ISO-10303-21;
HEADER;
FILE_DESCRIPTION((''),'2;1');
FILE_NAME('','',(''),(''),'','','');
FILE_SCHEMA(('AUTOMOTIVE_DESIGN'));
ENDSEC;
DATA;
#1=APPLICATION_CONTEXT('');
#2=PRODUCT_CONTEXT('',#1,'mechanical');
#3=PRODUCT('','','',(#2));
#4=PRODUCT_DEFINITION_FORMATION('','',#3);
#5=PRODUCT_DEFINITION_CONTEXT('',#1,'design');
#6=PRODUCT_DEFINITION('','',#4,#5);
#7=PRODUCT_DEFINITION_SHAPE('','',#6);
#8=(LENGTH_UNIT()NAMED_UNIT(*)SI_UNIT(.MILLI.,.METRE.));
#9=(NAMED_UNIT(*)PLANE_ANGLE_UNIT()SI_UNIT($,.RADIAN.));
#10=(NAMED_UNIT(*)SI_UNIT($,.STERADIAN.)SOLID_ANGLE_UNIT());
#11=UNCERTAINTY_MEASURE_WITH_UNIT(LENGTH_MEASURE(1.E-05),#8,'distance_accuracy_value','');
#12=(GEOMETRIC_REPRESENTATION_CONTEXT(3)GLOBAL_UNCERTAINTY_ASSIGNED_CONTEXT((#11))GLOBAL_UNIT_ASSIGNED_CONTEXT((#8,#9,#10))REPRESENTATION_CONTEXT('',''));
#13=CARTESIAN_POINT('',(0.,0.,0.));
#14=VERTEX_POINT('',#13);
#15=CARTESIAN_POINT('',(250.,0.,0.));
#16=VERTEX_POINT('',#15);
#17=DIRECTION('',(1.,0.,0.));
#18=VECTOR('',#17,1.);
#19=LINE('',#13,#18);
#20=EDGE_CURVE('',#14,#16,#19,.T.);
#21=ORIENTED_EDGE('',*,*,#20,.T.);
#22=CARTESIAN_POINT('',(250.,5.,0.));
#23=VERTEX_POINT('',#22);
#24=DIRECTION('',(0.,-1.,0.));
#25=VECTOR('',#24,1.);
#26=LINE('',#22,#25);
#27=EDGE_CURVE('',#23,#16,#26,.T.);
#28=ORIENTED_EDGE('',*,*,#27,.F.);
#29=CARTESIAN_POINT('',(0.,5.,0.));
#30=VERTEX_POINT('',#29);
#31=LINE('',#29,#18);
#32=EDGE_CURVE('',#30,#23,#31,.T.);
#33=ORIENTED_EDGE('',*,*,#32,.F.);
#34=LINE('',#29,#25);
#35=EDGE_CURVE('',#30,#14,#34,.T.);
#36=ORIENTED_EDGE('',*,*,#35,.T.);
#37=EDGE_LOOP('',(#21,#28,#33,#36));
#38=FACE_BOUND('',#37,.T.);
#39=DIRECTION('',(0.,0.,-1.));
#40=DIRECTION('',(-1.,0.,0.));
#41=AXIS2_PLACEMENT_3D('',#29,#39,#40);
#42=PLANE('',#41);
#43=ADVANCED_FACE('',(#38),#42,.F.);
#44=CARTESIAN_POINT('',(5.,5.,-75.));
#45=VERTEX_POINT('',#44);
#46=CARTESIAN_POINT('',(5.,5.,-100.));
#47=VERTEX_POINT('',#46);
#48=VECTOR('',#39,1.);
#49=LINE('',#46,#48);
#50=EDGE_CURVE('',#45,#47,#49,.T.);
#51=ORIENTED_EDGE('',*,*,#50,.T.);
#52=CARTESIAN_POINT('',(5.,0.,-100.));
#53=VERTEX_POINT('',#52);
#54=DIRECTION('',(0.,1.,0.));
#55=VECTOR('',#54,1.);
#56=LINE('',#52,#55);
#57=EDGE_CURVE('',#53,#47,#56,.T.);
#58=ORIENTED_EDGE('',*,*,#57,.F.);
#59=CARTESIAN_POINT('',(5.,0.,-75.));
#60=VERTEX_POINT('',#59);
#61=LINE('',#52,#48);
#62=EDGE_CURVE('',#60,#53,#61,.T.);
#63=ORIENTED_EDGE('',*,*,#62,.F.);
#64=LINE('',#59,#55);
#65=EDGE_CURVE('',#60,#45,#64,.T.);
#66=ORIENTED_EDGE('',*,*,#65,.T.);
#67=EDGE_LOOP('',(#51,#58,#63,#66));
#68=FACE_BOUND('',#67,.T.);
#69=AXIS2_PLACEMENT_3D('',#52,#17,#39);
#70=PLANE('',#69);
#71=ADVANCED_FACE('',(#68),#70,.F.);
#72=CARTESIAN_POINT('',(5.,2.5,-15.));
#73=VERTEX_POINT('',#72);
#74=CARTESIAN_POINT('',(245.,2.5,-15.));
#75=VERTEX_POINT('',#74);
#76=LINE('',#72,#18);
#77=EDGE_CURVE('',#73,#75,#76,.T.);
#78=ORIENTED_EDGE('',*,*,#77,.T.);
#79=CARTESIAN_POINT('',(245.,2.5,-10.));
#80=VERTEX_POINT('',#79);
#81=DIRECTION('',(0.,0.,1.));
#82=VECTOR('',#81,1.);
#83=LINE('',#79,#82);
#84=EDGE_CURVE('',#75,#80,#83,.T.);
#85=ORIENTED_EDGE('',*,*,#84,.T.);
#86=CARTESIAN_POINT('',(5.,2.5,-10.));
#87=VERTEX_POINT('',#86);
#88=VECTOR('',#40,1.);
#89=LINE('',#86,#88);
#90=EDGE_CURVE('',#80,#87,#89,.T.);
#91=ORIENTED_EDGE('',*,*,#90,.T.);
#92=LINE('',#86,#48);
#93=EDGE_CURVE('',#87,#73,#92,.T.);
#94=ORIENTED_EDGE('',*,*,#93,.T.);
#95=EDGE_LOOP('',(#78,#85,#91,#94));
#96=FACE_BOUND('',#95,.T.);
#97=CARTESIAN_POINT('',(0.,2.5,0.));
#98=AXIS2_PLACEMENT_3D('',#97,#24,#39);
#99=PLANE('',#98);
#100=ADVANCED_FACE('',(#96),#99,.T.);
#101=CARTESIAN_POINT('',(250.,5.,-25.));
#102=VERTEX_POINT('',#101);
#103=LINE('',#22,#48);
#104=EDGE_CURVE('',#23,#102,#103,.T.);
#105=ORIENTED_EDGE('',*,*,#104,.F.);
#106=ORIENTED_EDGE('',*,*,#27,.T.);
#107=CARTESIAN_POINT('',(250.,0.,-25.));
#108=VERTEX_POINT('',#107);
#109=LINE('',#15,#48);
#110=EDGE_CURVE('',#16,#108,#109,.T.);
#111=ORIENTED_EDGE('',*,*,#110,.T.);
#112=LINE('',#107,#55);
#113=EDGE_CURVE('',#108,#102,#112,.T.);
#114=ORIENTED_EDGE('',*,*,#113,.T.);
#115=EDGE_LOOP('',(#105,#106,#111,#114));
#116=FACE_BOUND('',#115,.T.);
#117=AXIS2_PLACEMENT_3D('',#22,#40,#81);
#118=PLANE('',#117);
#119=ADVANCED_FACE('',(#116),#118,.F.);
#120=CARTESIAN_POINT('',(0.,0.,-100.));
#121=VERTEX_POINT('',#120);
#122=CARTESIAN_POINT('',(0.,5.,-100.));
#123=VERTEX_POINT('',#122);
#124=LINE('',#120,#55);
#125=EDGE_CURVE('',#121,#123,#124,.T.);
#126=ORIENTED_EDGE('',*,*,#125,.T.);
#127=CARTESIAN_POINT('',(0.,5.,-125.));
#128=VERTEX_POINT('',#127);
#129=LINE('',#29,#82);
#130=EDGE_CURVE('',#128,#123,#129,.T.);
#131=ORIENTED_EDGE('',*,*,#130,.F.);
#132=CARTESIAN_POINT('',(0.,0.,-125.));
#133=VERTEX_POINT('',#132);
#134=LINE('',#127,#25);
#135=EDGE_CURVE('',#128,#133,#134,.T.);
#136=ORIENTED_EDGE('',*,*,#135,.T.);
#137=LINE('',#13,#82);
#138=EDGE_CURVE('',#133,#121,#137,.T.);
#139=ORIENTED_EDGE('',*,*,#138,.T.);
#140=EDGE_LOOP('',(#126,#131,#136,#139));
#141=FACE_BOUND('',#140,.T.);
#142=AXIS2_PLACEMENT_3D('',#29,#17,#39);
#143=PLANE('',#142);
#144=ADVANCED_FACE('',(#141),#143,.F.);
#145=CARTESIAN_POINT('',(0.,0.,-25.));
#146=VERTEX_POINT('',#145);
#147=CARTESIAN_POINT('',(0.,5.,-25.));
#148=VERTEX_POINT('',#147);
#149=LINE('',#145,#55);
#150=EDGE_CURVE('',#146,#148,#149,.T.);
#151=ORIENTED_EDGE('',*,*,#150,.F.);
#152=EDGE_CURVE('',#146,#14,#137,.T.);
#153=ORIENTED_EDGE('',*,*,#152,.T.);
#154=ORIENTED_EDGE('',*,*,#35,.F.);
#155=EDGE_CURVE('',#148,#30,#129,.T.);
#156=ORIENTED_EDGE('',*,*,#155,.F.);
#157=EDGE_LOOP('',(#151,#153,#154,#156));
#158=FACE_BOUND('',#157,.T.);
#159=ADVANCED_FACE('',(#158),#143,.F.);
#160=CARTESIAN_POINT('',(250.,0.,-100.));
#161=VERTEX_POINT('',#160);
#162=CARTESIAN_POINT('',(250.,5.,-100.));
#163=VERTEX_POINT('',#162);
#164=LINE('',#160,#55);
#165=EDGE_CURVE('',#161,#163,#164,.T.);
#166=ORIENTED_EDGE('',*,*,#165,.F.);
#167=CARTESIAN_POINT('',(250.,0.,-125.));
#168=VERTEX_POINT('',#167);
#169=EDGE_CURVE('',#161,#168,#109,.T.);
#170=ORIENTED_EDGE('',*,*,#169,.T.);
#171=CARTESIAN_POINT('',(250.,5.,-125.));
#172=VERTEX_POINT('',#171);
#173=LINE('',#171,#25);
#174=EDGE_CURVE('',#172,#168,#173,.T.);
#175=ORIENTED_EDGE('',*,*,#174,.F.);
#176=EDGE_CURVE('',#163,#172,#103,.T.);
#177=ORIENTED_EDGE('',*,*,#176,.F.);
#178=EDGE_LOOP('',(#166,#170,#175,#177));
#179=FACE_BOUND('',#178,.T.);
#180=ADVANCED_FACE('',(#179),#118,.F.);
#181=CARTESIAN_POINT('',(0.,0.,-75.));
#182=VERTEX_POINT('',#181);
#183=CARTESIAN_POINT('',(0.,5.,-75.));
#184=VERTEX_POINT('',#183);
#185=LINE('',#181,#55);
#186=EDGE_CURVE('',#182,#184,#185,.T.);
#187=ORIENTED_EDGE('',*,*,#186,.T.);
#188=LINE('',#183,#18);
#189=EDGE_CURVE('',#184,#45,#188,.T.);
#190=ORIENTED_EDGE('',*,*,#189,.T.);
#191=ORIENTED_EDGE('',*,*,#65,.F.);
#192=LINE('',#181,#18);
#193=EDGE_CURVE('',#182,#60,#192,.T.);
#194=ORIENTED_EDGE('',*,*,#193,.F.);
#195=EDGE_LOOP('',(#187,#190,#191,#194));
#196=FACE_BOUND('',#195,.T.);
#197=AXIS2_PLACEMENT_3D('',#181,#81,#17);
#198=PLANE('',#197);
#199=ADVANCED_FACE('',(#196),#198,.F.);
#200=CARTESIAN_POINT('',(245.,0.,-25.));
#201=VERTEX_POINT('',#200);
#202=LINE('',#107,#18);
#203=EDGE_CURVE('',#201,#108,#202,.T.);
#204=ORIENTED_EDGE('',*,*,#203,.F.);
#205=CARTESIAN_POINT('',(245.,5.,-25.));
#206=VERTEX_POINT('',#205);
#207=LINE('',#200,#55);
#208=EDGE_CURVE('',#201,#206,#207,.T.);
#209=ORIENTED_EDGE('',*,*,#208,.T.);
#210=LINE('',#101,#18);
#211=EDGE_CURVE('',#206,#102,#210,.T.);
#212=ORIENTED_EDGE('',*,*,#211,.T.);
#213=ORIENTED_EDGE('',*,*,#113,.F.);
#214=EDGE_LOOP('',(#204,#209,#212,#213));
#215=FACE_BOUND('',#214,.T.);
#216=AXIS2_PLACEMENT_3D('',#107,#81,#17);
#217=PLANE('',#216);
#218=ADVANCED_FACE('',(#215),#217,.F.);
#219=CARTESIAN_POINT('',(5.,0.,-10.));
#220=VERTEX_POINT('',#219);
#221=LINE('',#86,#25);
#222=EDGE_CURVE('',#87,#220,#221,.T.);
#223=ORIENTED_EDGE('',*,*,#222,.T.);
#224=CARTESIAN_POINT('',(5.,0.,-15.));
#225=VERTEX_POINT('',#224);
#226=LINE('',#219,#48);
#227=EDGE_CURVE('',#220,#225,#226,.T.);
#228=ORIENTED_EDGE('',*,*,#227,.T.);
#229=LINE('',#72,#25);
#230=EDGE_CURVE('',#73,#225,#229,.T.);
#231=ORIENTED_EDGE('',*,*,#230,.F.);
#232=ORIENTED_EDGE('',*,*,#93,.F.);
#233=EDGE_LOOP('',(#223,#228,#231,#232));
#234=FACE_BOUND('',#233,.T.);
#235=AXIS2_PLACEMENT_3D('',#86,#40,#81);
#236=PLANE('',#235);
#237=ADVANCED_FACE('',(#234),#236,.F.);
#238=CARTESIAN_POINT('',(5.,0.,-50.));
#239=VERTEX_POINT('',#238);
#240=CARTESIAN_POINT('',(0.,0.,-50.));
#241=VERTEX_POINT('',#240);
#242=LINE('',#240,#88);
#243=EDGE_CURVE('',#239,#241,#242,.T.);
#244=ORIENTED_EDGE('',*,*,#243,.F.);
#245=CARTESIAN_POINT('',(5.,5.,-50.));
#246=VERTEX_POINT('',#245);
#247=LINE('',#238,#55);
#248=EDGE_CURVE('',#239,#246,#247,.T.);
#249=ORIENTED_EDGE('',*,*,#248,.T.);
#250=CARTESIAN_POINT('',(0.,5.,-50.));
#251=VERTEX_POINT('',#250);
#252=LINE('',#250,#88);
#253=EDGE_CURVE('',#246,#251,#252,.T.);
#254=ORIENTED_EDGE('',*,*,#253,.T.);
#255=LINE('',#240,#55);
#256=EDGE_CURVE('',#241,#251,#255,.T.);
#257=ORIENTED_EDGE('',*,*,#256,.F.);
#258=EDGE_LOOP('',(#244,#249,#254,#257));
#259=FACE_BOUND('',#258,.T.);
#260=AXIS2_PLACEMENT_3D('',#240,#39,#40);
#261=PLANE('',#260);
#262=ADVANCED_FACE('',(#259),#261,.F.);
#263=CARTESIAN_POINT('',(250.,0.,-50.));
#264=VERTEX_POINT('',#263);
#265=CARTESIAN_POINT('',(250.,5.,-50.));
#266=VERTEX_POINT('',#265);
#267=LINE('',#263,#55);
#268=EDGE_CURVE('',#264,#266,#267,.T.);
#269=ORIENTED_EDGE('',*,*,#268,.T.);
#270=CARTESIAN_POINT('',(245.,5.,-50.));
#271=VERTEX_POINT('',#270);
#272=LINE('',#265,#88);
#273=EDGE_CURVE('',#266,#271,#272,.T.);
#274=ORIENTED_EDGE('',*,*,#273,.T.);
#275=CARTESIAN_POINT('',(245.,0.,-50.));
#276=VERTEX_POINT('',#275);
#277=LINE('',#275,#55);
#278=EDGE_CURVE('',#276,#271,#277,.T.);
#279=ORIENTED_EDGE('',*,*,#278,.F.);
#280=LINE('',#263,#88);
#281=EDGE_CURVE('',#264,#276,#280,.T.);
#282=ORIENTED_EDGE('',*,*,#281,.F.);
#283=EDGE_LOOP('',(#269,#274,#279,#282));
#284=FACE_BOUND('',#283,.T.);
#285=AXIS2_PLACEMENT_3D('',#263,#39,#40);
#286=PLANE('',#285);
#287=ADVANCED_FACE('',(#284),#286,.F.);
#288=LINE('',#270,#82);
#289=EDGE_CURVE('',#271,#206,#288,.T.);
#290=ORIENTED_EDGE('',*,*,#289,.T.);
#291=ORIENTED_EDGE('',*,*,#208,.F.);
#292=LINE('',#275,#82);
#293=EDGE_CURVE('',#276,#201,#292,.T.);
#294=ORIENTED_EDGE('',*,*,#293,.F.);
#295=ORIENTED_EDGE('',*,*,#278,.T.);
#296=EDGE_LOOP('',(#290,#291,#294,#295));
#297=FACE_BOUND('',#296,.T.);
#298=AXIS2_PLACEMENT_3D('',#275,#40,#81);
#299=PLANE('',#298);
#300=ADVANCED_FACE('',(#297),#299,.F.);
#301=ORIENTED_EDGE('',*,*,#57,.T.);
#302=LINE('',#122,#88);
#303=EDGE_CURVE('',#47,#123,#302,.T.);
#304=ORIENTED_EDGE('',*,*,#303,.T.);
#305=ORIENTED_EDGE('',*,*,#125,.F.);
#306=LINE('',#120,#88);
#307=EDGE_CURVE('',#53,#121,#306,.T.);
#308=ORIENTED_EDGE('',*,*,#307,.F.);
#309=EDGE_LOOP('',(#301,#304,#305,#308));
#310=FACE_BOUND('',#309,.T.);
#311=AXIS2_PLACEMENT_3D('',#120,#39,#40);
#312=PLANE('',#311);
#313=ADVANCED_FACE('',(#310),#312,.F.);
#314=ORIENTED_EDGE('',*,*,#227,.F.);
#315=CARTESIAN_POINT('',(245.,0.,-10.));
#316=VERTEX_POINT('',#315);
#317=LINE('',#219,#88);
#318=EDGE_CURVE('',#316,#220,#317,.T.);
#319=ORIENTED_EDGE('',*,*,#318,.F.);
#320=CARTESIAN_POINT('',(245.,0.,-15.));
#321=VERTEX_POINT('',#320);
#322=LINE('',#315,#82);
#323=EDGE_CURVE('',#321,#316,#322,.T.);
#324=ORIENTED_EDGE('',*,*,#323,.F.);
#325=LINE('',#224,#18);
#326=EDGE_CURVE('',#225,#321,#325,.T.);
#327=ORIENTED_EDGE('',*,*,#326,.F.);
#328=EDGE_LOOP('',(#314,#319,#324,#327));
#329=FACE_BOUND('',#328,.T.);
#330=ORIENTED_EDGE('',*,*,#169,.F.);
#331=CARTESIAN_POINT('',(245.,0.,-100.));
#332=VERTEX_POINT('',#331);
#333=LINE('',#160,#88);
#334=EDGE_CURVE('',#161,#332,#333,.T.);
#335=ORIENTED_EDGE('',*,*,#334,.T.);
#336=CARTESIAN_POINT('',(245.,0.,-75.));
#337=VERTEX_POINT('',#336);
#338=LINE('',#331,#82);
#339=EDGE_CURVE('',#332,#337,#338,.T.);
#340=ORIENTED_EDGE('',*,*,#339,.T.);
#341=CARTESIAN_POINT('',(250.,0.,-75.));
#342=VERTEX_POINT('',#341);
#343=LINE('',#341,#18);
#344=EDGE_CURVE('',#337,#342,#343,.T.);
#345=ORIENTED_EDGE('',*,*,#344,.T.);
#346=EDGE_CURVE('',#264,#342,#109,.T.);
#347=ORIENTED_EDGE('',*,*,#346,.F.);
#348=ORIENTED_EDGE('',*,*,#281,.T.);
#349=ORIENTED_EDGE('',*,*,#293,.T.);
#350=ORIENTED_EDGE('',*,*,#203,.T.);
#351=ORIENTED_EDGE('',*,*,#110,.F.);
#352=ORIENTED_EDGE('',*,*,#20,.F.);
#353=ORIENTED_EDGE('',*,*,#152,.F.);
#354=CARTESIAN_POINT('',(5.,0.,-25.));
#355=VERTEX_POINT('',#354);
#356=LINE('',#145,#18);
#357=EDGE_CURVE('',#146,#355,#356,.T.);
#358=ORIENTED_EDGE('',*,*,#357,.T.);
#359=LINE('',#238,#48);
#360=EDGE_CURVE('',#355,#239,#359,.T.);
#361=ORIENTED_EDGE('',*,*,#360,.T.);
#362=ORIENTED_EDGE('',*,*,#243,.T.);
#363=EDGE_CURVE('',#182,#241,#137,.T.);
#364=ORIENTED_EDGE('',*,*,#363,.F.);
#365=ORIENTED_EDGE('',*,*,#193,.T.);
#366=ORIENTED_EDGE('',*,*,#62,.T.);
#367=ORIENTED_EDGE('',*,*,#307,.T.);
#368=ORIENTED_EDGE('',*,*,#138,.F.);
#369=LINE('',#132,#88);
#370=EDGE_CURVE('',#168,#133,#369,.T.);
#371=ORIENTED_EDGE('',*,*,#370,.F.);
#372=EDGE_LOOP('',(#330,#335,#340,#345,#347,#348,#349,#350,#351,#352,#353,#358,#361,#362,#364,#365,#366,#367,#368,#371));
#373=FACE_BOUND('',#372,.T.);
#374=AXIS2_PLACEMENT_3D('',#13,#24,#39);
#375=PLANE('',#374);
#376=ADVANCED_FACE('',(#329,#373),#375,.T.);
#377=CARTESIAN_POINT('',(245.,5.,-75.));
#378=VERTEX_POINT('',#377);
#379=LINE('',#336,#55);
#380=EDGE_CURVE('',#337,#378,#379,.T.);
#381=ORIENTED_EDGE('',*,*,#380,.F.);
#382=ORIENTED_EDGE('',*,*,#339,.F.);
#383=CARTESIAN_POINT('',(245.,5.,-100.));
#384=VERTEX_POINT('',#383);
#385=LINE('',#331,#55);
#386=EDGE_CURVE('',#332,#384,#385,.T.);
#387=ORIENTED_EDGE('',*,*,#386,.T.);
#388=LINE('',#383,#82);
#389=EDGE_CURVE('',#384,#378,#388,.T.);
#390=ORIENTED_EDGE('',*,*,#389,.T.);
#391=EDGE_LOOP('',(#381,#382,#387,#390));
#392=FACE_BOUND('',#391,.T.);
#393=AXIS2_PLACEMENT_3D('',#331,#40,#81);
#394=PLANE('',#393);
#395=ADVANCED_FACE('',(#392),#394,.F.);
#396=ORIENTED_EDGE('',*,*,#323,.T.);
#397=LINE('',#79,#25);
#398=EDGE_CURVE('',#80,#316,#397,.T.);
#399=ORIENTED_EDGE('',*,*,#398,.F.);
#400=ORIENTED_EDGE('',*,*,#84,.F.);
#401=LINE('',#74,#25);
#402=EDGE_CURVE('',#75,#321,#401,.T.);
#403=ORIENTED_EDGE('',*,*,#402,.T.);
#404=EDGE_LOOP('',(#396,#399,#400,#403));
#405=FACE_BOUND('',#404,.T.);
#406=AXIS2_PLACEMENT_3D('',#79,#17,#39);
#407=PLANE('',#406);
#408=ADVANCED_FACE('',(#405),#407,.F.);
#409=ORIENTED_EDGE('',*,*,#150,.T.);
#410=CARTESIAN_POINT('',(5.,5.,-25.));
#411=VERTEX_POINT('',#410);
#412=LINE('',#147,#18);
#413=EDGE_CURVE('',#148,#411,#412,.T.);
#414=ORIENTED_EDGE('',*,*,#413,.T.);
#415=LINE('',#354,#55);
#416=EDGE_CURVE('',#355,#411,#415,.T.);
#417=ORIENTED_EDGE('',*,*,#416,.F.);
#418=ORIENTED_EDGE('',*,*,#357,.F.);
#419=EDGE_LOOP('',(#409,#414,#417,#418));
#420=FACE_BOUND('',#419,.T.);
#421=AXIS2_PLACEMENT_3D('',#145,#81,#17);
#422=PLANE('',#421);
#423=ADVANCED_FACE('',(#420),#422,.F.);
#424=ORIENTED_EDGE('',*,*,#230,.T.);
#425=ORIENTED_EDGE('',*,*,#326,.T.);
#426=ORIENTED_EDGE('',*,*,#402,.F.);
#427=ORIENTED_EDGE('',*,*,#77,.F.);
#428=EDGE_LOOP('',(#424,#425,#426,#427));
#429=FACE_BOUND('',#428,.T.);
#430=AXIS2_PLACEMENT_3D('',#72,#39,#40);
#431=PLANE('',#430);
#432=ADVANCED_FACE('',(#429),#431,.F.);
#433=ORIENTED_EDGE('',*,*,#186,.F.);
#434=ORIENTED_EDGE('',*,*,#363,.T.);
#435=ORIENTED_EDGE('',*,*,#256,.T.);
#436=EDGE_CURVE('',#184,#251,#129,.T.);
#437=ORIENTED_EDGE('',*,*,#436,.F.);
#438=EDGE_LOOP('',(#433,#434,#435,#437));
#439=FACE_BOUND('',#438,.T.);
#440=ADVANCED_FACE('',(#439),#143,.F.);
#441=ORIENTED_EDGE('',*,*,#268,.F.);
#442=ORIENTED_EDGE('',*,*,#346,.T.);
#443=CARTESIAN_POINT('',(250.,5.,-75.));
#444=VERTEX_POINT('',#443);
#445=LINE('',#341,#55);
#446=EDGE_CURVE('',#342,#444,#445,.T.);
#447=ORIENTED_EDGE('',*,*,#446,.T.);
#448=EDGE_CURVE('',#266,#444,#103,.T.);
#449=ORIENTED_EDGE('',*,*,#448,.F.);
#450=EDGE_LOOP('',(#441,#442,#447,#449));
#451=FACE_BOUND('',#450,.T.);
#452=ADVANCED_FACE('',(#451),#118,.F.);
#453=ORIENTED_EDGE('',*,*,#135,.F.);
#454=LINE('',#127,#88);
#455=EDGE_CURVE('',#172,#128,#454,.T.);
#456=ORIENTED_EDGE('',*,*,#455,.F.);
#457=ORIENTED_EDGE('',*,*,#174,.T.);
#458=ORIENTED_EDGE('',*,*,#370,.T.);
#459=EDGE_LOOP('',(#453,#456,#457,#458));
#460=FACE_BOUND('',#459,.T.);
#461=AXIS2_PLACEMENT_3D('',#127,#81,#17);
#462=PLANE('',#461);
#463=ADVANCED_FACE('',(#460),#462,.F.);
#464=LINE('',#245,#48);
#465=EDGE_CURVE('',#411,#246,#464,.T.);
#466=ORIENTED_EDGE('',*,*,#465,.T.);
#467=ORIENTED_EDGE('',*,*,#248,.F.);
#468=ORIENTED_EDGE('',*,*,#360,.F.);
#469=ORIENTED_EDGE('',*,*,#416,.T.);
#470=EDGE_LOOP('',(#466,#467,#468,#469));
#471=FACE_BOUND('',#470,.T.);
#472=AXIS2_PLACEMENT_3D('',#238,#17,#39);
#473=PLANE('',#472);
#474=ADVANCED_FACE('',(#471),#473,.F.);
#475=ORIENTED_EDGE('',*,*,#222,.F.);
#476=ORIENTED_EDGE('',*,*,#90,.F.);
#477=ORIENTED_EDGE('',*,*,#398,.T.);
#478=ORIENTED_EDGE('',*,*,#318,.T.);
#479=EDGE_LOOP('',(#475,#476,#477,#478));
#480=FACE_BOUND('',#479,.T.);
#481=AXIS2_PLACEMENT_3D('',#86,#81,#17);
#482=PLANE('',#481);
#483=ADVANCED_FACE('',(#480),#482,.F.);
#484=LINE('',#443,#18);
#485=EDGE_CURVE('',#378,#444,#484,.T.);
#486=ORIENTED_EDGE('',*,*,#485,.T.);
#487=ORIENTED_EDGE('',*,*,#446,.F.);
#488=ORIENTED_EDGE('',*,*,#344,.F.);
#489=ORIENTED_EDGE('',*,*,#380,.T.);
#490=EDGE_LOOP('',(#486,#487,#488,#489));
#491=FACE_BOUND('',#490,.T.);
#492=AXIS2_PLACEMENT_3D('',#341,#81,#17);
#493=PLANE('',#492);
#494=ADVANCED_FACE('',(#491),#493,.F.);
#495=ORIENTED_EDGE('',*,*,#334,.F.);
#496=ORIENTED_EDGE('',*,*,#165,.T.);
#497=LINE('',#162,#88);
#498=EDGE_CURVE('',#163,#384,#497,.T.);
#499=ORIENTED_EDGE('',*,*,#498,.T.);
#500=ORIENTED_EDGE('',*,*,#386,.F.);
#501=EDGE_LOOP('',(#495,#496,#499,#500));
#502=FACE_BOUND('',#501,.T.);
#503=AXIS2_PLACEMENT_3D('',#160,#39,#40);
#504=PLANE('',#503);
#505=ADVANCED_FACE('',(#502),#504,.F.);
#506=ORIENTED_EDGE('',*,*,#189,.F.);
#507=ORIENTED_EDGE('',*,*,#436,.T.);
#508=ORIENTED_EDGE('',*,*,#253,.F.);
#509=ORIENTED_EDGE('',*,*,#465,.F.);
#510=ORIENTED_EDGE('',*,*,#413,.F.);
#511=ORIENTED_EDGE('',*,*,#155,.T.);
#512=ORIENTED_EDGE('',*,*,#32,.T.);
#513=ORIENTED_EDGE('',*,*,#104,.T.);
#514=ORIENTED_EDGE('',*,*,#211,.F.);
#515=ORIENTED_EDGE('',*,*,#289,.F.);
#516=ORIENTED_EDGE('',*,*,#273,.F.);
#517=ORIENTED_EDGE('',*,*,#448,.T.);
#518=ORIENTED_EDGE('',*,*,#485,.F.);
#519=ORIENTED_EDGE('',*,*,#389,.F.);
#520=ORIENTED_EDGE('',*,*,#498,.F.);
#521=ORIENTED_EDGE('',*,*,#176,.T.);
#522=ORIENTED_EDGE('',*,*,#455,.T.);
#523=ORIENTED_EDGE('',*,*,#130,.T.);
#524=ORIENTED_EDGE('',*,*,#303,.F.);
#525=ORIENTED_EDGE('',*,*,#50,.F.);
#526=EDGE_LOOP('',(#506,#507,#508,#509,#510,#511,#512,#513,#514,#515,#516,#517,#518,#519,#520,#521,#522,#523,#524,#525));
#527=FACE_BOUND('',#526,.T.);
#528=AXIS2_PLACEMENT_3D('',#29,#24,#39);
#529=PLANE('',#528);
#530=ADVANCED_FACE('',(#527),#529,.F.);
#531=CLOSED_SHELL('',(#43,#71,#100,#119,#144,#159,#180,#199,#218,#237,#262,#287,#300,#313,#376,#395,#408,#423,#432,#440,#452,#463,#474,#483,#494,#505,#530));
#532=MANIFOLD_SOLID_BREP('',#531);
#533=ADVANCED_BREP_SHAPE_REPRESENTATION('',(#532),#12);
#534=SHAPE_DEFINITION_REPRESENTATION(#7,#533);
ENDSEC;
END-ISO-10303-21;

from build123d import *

# Parameters (mm, degrees)
SKETCH3_W           = 250
SKETCH3_H           = 125
BOSS_EXTRUDE1_DEPTH = 5
SKETCH10_W          = 5
SKETCH10_H          = 25
CUT_EXTRUDE4_DEPTH  = 6
SKETCH11_W          = 240
SKETCH11_H          = 5
CUT_EXTRUDE5_DEPTH  = 2.5


with BuildPart() as part:
    # Sketch3 → Boss-Extrude1 (new body)
    with BuildSketch(Plane(origin=(0, 0, 0), x_dir=(1, 0, 0), z_dir=(0, 1, 0))):
        with Locations((125, 62.5)):
            Rectangle(SKETCH3_W, SKETCH3_H)
    extrude(amount=BOSS_EXTRUDE1_DEPTH)

    # Sketch10 → Cut-Extrude4 (cut, through all)
    with BuildSketch(Plane(origin=(0, 5, 0), x_dir=(1, 0, 0), z_dir=(0, 1, 0))):
        with Locations((2.5, 87.5)):
            Rectangle(SKETCH10_W, SKETCH10_H)
        with Locations((247.5, 37.5)):
            Rectangle(SKETCH10_W, SKETCH10_H)
        with Locations((2.5, 37.5)):
            Rectangle(SKETCH10_W, SKETCH10_H)
        with Locations((247.5, 87.5)):
            Rectangle(SKETCH10_W, SKETCH10_H)
    extrude(amount=-CUT_EXTRUDE4_DEPTH, mode=Mode.SUBTRACT)

    # Sketch11 → Cut-Extrude5 (cut)
    with BuildSketch(Plane.XZ):
        with Locations((125, -12.5)):
            Rectangle(SKETCH11_W, SKETCH11_H)
    extrude(amount=-CUT_EXTRUDE5_DEPTH, mode=Mode.SUBTRACT)


solid = part.part
